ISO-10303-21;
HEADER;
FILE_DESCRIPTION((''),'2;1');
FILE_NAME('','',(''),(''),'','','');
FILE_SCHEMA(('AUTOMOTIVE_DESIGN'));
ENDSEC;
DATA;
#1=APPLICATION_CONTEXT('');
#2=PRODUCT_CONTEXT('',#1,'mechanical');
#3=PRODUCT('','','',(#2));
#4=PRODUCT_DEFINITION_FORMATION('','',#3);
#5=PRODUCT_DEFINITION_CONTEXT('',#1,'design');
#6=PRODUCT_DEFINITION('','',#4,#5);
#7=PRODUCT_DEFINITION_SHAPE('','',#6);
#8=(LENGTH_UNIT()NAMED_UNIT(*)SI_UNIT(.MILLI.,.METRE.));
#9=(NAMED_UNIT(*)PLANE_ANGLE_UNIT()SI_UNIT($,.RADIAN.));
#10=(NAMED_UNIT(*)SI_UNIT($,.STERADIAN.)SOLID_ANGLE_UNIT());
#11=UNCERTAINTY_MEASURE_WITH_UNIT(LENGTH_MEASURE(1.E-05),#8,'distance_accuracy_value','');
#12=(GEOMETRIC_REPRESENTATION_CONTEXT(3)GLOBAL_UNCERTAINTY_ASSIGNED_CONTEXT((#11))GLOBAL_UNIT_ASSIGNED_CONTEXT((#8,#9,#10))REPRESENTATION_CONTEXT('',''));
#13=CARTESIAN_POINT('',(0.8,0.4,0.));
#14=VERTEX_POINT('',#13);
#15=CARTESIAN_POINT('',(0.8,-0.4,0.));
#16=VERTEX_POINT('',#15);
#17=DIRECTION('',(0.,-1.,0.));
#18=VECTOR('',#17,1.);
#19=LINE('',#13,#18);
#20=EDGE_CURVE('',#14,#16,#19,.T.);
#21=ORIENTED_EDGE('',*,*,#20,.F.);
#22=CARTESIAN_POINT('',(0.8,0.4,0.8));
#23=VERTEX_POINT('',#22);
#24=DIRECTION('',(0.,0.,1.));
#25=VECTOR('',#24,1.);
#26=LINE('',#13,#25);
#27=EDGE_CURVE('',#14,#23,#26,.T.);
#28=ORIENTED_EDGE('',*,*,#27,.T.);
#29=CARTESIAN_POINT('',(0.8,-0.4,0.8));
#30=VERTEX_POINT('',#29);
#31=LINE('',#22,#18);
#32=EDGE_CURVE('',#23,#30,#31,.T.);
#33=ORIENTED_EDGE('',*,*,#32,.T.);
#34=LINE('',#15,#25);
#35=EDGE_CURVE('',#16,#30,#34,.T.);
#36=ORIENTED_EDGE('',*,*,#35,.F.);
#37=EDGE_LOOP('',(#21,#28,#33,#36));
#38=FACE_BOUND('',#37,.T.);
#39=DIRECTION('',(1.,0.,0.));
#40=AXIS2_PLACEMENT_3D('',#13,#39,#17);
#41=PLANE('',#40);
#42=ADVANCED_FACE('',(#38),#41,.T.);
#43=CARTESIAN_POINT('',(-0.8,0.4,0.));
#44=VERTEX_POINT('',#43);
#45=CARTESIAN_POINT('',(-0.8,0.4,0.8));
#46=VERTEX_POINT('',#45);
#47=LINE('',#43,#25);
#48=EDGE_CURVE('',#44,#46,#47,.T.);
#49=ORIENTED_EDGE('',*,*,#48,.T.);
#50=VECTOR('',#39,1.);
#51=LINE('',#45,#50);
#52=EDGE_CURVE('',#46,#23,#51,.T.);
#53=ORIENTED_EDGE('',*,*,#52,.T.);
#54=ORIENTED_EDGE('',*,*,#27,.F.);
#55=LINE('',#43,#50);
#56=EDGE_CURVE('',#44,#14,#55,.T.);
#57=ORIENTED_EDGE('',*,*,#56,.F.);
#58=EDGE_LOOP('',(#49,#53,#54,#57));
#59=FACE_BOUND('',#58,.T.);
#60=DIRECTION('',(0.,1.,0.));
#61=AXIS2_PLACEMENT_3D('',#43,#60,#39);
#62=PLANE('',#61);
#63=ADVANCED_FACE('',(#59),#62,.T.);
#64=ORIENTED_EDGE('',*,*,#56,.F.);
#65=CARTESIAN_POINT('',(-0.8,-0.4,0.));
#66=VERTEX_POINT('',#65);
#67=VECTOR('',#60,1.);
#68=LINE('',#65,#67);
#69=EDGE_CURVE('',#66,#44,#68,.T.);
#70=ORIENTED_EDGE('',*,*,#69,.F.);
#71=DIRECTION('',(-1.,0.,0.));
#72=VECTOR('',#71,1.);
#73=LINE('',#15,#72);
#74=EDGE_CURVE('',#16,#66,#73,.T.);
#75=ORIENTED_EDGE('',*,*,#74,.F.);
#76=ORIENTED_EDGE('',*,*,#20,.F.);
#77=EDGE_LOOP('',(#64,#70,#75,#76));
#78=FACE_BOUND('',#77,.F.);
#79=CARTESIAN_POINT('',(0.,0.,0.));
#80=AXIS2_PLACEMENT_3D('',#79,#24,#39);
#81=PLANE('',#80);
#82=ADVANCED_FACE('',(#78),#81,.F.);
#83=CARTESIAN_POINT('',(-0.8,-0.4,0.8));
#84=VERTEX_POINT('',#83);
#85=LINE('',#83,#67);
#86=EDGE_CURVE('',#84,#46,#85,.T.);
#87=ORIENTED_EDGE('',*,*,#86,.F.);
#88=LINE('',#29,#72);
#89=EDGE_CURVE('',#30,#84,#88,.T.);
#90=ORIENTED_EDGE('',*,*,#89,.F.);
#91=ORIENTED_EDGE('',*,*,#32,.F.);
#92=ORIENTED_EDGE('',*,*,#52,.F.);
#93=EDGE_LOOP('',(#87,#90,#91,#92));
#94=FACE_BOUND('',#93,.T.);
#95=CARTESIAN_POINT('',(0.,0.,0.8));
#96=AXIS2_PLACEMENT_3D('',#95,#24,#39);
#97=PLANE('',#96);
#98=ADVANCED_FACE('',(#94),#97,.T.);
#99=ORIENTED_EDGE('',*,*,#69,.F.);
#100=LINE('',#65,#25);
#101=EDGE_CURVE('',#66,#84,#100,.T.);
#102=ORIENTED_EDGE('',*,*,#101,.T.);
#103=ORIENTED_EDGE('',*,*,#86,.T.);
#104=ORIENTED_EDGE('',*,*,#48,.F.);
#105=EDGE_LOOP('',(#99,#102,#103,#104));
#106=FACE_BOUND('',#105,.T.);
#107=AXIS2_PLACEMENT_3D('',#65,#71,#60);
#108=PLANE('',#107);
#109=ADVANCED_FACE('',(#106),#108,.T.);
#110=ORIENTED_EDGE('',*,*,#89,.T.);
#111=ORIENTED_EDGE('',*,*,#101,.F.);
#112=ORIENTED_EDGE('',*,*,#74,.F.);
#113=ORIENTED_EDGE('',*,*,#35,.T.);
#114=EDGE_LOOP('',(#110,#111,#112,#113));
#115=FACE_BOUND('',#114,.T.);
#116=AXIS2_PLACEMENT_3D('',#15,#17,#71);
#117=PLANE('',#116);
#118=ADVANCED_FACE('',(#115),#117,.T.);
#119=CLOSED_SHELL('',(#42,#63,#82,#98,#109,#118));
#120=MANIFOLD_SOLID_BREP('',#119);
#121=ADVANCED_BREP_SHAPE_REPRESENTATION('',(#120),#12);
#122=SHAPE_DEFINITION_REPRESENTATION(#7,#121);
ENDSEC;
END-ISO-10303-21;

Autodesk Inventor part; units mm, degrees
ref_plane "YZ Plane" through (0, 0, 0) normal (1, 0, 0) x (0, 1, 0)
ref_plane "XZ Plane" through (0, 0, 0) normal (0, 1, 0) x (-1, 0, 0)
ref_plane "XY Plane" through (0, 0, 0) normal (0, 0, 1) x (1, 0, 0)
sketch "C0603, NP_1" plane through (0, 0, 0) normal (0, 0, 1) x (1, 0, 0)
  line L0 (0.8, 0.4) -> (0.8, -0.4)
  line L1 (0.8, -0.4) -> (-0.8, -0.4)
  line L2 (-0.8, -0.4) -> (-0.8, 0.4)
  line L3 (-0.8, 0.4) -> (0.8, 0.4)
extrude "Extrusion1" add sketch "C0603, NP_1" along normal blind 0.8
properties part number "NP"
